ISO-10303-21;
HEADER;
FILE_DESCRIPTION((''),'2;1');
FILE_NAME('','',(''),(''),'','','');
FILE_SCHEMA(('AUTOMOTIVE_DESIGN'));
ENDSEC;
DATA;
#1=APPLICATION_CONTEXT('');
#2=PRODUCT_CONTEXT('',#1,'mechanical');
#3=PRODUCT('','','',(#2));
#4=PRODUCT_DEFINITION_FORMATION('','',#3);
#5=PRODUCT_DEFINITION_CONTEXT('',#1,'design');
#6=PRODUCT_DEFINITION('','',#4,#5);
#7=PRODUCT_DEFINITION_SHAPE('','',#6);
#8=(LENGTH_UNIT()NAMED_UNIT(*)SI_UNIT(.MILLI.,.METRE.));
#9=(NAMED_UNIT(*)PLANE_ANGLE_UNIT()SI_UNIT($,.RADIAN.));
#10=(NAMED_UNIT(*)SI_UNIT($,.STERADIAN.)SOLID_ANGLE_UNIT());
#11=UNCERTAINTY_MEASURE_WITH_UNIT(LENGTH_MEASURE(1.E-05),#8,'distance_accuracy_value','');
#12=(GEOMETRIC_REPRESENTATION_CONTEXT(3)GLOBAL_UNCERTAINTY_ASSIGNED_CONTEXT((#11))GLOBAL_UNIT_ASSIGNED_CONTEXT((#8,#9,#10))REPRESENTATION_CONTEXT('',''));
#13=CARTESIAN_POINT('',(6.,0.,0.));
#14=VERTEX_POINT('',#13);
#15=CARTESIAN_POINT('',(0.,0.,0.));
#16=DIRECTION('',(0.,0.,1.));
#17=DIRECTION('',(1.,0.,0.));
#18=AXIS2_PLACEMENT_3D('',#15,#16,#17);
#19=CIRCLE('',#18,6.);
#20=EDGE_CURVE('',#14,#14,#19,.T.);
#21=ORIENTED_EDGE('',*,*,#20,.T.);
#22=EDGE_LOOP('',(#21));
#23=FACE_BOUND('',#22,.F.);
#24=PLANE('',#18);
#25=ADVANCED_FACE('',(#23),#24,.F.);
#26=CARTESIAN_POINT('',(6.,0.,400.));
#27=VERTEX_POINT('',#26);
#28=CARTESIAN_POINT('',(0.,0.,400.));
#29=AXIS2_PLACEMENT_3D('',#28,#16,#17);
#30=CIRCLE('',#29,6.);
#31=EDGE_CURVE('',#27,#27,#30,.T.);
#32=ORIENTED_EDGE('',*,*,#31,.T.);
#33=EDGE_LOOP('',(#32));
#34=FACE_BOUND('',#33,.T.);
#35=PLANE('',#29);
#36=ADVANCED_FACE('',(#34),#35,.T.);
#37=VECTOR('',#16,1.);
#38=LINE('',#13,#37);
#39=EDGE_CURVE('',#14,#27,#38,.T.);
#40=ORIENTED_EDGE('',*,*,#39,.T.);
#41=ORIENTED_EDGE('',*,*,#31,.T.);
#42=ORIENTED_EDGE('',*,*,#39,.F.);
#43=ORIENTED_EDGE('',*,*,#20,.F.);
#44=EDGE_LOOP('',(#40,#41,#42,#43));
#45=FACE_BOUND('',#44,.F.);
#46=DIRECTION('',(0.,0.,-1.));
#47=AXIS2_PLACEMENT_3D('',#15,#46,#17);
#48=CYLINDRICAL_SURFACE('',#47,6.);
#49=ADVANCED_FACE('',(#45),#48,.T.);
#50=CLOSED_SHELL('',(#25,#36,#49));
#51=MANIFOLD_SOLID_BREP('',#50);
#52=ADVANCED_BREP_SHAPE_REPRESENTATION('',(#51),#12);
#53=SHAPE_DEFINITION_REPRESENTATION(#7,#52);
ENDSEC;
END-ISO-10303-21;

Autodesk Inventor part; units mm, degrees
ref_plane "YZ Plane" through (0, 0, 0) normal (1, 0, 0) x (0, 1, 0)
ref_plane "XZ Plane" through (0, 0, 0) normal (0, 1, 0) x (-1, 0, 0)
ref_plane "XY Plane" through (0, 0, 0) normal (0, 0, 1) x (1, 0, 0)
sketch "Boceto1" plane through (0, 0, 0) normal (0, 0, 1) x (1, 0, 0)
  circle A0 centre (0, 0) radius 6
  dimension "d0" = 12
extrude "Extrusión1" add sketch "Boceto1" along normal blind 400
properties part number "EjeBase" material "Acero, alta resistencia, aleación baja"
